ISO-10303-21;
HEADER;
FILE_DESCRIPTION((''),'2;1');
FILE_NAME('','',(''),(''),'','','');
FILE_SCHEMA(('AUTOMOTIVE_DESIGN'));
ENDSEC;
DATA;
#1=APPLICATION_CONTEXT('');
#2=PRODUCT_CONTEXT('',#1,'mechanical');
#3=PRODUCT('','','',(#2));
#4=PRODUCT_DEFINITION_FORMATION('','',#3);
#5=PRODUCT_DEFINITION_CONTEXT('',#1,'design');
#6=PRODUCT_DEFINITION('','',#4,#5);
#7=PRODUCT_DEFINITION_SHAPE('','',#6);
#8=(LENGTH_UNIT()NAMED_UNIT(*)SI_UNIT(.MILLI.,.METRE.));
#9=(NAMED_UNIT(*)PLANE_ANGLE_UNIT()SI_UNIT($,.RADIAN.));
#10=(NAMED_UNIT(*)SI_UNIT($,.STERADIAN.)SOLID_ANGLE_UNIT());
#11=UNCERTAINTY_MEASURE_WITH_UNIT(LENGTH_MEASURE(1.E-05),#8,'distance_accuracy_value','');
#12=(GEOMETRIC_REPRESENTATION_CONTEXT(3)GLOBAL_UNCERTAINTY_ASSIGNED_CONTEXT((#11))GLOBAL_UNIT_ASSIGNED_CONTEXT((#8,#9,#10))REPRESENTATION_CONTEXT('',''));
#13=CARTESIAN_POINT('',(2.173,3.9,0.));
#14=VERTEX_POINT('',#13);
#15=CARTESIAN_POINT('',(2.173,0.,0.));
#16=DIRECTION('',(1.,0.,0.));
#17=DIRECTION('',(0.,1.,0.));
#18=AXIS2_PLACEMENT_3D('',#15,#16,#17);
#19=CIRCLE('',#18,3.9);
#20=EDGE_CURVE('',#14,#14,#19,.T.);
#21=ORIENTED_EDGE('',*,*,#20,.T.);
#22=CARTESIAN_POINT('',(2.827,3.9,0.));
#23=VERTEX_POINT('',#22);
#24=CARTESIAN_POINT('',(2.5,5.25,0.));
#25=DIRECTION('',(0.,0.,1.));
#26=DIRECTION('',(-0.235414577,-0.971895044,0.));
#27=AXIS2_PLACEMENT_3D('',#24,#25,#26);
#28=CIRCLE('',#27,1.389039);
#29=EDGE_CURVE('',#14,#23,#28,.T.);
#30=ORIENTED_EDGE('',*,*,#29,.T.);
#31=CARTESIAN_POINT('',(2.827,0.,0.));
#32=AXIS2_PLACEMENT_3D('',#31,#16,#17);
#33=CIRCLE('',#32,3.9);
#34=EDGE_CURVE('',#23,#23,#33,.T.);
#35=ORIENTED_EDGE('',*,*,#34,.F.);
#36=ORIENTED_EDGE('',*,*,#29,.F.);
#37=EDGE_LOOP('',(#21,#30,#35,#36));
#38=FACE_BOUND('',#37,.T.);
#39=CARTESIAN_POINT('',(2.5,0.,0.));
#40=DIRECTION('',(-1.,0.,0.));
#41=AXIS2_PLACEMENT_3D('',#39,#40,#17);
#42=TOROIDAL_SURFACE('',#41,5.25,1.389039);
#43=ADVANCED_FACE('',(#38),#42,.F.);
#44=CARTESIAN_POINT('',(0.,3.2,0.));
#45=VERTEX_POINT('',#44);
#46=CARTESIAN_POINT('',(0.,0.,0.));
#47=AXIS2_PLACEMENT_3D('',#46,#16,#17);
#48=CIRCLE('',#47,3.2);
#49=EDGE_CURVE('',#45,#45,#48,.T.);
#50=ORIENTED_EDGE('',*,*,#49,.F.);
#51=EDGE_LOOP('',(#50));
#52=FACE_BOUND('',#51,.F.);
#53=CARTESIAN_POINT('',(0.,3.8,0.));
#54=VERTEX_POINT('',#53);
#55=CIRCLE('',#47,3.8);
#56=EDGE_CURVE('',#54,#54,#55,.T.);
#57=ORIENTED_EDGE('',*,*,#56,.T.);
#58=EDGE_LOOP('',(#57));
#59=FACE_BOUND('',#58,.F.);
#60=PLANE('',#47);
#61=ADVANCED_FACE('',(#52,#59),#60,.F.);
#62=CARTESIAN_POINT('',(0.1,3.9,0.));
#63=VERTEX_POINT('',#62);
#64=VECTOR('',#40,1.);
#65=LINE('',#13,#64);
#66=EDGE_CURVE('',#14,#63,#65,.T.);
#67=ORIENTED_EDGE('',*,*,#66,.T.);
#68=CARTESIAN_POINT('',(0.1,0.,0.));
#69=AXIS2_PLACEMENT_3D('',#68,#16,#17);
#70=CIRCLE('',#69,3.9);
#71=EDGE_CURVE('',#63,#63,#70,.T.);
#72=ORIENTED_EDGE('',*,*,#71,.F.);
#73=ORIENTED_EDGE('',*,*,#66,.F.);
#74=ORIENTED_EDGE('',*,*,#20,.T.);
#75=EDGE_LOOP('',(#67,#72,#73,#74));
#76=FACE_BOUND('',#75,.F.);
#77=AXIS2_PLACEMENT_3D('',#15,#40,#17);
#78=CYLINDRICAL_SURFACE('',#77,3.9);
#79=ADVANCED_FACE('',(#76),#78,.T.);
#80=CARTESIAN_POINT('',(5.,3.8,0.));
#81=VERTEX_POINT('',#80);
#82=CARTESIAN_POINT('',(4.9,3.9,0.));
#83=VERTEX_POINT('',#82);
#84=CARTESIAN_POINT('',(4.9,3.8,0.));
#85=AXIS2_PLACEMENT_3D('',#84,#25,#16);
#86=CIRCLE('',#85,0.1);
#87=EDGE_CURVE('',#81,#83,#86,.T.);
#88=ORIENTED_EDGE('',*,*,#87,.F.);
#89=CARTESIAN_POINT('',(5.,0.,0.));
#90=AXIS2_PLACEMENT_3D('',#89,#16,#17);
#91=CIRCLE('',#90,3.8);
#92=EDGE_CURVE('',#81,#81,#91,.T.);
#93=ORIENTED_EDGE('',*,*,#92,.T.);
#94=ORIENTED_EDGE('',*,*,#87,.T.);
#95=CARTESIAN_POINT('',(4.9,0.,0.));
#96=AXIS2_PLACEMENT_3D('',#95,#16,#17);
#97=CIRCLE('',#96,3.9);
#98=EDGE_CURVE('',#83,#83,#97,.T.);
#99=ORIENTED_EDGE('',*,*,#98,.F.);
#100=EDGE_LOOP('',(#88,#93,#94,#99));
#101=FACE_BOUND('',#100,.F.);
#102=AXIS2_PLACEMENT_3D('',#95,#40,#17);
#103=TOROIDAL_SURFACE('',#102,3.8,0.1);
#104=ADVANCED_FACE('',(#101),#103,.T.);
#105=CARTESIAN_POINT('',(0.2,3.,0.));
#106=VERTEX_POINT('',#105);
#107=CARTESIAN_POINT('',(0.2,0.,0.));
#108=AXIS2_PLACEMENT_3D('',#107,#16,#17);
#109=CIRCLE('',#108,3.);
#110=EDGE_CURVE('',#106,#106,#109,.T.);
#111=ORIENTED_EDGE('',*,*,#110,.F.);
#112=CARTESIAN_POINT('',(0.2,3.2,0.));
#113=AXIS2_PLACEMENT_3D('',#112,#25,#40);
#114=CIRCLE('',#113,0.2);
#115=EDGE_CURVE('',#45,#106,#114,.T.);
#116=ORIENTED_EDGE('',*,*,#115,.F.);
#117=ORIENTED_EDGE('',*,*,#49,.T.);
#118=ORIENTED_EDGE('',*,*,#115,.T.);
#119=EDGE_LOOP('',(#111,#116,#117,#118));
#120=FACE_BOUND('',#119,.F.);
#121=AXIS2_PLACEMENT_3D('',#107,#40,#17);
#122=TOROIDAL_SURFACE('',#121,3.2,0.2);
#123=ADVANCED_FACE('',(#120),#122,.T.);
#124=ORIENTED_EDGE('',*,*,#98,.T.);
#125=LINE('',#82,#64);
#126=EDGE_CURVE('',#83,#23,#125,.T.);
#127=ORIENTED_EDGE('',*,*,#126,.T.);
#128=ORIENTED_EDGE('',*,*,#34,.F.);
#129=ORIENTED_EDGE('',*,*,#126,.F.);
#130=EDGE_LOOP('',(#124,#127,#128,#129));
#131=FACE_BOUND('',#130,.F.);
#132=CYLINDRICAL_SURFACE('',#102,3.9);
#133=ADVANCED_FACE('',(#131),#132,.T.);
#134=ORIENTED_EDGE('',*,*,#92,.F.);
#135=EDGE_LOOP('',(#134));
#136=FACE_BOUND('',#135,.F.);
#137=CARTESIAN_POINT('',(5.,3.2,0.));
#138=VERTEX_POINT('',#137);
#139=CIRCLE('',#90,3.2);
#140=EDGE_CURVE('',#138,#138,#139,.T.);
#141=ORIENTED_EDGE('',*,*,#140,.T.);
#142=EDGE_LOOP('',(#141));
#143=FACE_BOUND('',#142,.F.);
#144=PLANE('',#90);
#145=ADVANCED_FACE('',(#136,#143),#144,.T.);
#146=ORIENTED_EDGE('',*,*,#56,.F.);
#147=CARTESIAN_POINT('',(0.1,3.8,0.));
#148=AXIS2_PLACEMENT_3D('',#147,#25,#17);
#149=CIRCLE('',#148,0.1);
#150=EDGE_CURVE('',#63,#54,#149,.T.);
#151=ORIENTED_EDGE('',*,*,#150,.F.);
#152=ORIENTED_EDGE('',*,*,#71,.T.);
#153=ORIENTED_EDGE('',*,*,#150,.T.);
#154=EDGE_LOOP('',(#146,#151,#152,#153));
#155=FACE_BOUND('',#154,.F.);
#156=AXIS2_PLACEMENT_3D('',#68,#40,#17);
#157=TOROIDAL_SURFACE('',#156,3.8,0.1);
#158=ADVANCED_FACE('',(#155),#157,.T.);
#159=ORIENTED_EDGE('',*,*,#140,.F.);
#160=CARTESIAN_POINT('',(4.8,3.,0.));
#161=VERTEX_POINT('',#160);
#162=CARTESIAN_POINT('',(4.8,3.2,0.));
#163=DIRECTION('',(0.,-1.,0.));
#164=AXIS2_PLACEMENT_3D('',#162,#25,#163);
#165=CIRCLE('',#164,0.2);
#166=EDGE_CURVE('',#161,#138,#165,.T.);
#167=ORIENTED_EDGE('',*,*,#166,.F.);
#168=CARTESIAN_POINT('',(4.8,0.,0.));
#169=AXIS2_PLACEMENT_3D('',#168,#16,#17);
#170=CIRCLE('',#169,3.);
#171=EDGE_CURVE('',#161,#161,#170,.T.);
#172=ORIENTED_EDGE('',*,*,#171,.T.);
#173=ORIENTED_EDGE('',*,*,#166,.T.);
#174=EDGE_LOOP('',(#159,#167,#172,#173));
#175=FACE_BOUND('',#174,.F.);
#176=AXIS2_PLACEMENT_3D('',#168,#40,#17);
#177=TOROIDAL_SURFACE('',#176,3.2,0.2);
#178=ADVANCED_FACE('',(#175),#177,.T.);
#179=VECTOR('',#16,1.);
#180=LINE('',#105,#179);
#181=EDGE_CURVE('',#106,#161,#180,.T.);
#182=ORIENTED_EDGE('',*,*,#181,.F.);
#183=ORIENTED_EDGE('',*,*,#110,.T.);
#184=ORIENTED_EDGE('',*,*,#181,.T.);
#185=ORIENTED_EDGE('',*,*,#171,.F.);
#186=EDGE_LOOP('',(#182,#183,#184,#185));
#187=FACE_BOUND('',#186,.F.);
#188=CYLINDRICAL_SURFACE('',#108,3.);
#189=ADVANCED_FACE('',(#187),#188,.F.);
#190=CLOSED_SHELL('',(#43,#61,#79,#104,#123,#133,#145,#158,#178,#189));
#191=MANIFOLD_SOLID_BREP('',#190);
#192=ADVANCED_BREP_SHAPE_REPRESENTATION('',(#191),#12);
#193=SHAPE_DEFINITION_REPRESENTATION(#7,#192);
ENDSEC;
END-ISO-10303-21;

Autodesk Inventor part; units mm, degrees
sketch "Sketch_5" plane through (0, 0, 0) normal (0, 0, 1) x (1, 0, 0)
  line L0 (5, 0) -> (0, 0)
  line L1 (0, 3.8) -> (0, 3.2)
  arc A0 (0, 3.2) -> (0.2, 3) centre (0.2, 3.2) ccw
  line L2 (0.2, 3) -> (4.8, 3)
  arc A1 (4.8, 3) -> (5, 3.2) centre (4.8, 3.2) ccw
  line L3 (5, 3.2) -> (5, 3.8)
  arc A2 (5, 3.8) -> (4.9, 3.9) centre (4.9, 3.8) ccw
  line L4 (4.9, 3.9) -> (2.827, 3.9)
  arc A3 (2.173, 3.9) -> (2.827, 3.9) centre (2.5, 5.25) ccw
  line L5 (2.173, 3.9) -> (0.1, 3.9)
  arc A4 (0.1, 3.9) -> (0, 3.8) centre (0.1, 3.8) ccw
revolve "Revolution1" add sketch "Sketch_5" angle 360 about axis through (5, 0, 0) along (1, 0, 0)
ref_plane "1_XY" through (2.5, 0, 0) normal (1, 0, 0) x (0, 0, -1)
ref_plane "1_YZ" through (2.5, 0, 0) normal (0, 0, -1) x (0, 1, 0)
ref_plane "1_ZX" through (2.5, 0, 0) normal (0, 1, 0) x (1, 0, 0)
ref_plane "Dummy_XY" through (0, 0, 0) normal (1, 0, 0) x (0, 0, -1)
ref_plane "Dummy_YZ" through (0, 0, 0) normal (0, 0, -1) x (0, 1, 0)
ref_plane "Dummy_ZX" through (0, 0, 0) normal (0, 1, 0) x (1, 0, 0)
ref_plane "shield1_XY" through (0.4, 0, 0) normal (1, 0, 0) x (0, 0, -1)
ref_plane "shield1_YZ" through (0.4, 0, 0) normal (0, 0, -1) x (0, 1, 0)
ref_plane "shield1_ZX" through (0.4, 0, 0) normal (0, 1, 0) x (1, 0, 0)
ref_plane "shield2_XY" through (4.6, 0, 0) normal (-1, 0, 0) x (0, 0, -1)
ref_plane "shield2_YZ" through (4.6, 0, 0) normal (0, 0, -1) x (0, -1, 0)
ref_plane "shield2_ZX" through (4.6, 0, 0) normal (0, -1, 0) x (-1, 0, 0)
properties part number "RF-1560ZZ_ir" material "鋼、炭素鋼"
